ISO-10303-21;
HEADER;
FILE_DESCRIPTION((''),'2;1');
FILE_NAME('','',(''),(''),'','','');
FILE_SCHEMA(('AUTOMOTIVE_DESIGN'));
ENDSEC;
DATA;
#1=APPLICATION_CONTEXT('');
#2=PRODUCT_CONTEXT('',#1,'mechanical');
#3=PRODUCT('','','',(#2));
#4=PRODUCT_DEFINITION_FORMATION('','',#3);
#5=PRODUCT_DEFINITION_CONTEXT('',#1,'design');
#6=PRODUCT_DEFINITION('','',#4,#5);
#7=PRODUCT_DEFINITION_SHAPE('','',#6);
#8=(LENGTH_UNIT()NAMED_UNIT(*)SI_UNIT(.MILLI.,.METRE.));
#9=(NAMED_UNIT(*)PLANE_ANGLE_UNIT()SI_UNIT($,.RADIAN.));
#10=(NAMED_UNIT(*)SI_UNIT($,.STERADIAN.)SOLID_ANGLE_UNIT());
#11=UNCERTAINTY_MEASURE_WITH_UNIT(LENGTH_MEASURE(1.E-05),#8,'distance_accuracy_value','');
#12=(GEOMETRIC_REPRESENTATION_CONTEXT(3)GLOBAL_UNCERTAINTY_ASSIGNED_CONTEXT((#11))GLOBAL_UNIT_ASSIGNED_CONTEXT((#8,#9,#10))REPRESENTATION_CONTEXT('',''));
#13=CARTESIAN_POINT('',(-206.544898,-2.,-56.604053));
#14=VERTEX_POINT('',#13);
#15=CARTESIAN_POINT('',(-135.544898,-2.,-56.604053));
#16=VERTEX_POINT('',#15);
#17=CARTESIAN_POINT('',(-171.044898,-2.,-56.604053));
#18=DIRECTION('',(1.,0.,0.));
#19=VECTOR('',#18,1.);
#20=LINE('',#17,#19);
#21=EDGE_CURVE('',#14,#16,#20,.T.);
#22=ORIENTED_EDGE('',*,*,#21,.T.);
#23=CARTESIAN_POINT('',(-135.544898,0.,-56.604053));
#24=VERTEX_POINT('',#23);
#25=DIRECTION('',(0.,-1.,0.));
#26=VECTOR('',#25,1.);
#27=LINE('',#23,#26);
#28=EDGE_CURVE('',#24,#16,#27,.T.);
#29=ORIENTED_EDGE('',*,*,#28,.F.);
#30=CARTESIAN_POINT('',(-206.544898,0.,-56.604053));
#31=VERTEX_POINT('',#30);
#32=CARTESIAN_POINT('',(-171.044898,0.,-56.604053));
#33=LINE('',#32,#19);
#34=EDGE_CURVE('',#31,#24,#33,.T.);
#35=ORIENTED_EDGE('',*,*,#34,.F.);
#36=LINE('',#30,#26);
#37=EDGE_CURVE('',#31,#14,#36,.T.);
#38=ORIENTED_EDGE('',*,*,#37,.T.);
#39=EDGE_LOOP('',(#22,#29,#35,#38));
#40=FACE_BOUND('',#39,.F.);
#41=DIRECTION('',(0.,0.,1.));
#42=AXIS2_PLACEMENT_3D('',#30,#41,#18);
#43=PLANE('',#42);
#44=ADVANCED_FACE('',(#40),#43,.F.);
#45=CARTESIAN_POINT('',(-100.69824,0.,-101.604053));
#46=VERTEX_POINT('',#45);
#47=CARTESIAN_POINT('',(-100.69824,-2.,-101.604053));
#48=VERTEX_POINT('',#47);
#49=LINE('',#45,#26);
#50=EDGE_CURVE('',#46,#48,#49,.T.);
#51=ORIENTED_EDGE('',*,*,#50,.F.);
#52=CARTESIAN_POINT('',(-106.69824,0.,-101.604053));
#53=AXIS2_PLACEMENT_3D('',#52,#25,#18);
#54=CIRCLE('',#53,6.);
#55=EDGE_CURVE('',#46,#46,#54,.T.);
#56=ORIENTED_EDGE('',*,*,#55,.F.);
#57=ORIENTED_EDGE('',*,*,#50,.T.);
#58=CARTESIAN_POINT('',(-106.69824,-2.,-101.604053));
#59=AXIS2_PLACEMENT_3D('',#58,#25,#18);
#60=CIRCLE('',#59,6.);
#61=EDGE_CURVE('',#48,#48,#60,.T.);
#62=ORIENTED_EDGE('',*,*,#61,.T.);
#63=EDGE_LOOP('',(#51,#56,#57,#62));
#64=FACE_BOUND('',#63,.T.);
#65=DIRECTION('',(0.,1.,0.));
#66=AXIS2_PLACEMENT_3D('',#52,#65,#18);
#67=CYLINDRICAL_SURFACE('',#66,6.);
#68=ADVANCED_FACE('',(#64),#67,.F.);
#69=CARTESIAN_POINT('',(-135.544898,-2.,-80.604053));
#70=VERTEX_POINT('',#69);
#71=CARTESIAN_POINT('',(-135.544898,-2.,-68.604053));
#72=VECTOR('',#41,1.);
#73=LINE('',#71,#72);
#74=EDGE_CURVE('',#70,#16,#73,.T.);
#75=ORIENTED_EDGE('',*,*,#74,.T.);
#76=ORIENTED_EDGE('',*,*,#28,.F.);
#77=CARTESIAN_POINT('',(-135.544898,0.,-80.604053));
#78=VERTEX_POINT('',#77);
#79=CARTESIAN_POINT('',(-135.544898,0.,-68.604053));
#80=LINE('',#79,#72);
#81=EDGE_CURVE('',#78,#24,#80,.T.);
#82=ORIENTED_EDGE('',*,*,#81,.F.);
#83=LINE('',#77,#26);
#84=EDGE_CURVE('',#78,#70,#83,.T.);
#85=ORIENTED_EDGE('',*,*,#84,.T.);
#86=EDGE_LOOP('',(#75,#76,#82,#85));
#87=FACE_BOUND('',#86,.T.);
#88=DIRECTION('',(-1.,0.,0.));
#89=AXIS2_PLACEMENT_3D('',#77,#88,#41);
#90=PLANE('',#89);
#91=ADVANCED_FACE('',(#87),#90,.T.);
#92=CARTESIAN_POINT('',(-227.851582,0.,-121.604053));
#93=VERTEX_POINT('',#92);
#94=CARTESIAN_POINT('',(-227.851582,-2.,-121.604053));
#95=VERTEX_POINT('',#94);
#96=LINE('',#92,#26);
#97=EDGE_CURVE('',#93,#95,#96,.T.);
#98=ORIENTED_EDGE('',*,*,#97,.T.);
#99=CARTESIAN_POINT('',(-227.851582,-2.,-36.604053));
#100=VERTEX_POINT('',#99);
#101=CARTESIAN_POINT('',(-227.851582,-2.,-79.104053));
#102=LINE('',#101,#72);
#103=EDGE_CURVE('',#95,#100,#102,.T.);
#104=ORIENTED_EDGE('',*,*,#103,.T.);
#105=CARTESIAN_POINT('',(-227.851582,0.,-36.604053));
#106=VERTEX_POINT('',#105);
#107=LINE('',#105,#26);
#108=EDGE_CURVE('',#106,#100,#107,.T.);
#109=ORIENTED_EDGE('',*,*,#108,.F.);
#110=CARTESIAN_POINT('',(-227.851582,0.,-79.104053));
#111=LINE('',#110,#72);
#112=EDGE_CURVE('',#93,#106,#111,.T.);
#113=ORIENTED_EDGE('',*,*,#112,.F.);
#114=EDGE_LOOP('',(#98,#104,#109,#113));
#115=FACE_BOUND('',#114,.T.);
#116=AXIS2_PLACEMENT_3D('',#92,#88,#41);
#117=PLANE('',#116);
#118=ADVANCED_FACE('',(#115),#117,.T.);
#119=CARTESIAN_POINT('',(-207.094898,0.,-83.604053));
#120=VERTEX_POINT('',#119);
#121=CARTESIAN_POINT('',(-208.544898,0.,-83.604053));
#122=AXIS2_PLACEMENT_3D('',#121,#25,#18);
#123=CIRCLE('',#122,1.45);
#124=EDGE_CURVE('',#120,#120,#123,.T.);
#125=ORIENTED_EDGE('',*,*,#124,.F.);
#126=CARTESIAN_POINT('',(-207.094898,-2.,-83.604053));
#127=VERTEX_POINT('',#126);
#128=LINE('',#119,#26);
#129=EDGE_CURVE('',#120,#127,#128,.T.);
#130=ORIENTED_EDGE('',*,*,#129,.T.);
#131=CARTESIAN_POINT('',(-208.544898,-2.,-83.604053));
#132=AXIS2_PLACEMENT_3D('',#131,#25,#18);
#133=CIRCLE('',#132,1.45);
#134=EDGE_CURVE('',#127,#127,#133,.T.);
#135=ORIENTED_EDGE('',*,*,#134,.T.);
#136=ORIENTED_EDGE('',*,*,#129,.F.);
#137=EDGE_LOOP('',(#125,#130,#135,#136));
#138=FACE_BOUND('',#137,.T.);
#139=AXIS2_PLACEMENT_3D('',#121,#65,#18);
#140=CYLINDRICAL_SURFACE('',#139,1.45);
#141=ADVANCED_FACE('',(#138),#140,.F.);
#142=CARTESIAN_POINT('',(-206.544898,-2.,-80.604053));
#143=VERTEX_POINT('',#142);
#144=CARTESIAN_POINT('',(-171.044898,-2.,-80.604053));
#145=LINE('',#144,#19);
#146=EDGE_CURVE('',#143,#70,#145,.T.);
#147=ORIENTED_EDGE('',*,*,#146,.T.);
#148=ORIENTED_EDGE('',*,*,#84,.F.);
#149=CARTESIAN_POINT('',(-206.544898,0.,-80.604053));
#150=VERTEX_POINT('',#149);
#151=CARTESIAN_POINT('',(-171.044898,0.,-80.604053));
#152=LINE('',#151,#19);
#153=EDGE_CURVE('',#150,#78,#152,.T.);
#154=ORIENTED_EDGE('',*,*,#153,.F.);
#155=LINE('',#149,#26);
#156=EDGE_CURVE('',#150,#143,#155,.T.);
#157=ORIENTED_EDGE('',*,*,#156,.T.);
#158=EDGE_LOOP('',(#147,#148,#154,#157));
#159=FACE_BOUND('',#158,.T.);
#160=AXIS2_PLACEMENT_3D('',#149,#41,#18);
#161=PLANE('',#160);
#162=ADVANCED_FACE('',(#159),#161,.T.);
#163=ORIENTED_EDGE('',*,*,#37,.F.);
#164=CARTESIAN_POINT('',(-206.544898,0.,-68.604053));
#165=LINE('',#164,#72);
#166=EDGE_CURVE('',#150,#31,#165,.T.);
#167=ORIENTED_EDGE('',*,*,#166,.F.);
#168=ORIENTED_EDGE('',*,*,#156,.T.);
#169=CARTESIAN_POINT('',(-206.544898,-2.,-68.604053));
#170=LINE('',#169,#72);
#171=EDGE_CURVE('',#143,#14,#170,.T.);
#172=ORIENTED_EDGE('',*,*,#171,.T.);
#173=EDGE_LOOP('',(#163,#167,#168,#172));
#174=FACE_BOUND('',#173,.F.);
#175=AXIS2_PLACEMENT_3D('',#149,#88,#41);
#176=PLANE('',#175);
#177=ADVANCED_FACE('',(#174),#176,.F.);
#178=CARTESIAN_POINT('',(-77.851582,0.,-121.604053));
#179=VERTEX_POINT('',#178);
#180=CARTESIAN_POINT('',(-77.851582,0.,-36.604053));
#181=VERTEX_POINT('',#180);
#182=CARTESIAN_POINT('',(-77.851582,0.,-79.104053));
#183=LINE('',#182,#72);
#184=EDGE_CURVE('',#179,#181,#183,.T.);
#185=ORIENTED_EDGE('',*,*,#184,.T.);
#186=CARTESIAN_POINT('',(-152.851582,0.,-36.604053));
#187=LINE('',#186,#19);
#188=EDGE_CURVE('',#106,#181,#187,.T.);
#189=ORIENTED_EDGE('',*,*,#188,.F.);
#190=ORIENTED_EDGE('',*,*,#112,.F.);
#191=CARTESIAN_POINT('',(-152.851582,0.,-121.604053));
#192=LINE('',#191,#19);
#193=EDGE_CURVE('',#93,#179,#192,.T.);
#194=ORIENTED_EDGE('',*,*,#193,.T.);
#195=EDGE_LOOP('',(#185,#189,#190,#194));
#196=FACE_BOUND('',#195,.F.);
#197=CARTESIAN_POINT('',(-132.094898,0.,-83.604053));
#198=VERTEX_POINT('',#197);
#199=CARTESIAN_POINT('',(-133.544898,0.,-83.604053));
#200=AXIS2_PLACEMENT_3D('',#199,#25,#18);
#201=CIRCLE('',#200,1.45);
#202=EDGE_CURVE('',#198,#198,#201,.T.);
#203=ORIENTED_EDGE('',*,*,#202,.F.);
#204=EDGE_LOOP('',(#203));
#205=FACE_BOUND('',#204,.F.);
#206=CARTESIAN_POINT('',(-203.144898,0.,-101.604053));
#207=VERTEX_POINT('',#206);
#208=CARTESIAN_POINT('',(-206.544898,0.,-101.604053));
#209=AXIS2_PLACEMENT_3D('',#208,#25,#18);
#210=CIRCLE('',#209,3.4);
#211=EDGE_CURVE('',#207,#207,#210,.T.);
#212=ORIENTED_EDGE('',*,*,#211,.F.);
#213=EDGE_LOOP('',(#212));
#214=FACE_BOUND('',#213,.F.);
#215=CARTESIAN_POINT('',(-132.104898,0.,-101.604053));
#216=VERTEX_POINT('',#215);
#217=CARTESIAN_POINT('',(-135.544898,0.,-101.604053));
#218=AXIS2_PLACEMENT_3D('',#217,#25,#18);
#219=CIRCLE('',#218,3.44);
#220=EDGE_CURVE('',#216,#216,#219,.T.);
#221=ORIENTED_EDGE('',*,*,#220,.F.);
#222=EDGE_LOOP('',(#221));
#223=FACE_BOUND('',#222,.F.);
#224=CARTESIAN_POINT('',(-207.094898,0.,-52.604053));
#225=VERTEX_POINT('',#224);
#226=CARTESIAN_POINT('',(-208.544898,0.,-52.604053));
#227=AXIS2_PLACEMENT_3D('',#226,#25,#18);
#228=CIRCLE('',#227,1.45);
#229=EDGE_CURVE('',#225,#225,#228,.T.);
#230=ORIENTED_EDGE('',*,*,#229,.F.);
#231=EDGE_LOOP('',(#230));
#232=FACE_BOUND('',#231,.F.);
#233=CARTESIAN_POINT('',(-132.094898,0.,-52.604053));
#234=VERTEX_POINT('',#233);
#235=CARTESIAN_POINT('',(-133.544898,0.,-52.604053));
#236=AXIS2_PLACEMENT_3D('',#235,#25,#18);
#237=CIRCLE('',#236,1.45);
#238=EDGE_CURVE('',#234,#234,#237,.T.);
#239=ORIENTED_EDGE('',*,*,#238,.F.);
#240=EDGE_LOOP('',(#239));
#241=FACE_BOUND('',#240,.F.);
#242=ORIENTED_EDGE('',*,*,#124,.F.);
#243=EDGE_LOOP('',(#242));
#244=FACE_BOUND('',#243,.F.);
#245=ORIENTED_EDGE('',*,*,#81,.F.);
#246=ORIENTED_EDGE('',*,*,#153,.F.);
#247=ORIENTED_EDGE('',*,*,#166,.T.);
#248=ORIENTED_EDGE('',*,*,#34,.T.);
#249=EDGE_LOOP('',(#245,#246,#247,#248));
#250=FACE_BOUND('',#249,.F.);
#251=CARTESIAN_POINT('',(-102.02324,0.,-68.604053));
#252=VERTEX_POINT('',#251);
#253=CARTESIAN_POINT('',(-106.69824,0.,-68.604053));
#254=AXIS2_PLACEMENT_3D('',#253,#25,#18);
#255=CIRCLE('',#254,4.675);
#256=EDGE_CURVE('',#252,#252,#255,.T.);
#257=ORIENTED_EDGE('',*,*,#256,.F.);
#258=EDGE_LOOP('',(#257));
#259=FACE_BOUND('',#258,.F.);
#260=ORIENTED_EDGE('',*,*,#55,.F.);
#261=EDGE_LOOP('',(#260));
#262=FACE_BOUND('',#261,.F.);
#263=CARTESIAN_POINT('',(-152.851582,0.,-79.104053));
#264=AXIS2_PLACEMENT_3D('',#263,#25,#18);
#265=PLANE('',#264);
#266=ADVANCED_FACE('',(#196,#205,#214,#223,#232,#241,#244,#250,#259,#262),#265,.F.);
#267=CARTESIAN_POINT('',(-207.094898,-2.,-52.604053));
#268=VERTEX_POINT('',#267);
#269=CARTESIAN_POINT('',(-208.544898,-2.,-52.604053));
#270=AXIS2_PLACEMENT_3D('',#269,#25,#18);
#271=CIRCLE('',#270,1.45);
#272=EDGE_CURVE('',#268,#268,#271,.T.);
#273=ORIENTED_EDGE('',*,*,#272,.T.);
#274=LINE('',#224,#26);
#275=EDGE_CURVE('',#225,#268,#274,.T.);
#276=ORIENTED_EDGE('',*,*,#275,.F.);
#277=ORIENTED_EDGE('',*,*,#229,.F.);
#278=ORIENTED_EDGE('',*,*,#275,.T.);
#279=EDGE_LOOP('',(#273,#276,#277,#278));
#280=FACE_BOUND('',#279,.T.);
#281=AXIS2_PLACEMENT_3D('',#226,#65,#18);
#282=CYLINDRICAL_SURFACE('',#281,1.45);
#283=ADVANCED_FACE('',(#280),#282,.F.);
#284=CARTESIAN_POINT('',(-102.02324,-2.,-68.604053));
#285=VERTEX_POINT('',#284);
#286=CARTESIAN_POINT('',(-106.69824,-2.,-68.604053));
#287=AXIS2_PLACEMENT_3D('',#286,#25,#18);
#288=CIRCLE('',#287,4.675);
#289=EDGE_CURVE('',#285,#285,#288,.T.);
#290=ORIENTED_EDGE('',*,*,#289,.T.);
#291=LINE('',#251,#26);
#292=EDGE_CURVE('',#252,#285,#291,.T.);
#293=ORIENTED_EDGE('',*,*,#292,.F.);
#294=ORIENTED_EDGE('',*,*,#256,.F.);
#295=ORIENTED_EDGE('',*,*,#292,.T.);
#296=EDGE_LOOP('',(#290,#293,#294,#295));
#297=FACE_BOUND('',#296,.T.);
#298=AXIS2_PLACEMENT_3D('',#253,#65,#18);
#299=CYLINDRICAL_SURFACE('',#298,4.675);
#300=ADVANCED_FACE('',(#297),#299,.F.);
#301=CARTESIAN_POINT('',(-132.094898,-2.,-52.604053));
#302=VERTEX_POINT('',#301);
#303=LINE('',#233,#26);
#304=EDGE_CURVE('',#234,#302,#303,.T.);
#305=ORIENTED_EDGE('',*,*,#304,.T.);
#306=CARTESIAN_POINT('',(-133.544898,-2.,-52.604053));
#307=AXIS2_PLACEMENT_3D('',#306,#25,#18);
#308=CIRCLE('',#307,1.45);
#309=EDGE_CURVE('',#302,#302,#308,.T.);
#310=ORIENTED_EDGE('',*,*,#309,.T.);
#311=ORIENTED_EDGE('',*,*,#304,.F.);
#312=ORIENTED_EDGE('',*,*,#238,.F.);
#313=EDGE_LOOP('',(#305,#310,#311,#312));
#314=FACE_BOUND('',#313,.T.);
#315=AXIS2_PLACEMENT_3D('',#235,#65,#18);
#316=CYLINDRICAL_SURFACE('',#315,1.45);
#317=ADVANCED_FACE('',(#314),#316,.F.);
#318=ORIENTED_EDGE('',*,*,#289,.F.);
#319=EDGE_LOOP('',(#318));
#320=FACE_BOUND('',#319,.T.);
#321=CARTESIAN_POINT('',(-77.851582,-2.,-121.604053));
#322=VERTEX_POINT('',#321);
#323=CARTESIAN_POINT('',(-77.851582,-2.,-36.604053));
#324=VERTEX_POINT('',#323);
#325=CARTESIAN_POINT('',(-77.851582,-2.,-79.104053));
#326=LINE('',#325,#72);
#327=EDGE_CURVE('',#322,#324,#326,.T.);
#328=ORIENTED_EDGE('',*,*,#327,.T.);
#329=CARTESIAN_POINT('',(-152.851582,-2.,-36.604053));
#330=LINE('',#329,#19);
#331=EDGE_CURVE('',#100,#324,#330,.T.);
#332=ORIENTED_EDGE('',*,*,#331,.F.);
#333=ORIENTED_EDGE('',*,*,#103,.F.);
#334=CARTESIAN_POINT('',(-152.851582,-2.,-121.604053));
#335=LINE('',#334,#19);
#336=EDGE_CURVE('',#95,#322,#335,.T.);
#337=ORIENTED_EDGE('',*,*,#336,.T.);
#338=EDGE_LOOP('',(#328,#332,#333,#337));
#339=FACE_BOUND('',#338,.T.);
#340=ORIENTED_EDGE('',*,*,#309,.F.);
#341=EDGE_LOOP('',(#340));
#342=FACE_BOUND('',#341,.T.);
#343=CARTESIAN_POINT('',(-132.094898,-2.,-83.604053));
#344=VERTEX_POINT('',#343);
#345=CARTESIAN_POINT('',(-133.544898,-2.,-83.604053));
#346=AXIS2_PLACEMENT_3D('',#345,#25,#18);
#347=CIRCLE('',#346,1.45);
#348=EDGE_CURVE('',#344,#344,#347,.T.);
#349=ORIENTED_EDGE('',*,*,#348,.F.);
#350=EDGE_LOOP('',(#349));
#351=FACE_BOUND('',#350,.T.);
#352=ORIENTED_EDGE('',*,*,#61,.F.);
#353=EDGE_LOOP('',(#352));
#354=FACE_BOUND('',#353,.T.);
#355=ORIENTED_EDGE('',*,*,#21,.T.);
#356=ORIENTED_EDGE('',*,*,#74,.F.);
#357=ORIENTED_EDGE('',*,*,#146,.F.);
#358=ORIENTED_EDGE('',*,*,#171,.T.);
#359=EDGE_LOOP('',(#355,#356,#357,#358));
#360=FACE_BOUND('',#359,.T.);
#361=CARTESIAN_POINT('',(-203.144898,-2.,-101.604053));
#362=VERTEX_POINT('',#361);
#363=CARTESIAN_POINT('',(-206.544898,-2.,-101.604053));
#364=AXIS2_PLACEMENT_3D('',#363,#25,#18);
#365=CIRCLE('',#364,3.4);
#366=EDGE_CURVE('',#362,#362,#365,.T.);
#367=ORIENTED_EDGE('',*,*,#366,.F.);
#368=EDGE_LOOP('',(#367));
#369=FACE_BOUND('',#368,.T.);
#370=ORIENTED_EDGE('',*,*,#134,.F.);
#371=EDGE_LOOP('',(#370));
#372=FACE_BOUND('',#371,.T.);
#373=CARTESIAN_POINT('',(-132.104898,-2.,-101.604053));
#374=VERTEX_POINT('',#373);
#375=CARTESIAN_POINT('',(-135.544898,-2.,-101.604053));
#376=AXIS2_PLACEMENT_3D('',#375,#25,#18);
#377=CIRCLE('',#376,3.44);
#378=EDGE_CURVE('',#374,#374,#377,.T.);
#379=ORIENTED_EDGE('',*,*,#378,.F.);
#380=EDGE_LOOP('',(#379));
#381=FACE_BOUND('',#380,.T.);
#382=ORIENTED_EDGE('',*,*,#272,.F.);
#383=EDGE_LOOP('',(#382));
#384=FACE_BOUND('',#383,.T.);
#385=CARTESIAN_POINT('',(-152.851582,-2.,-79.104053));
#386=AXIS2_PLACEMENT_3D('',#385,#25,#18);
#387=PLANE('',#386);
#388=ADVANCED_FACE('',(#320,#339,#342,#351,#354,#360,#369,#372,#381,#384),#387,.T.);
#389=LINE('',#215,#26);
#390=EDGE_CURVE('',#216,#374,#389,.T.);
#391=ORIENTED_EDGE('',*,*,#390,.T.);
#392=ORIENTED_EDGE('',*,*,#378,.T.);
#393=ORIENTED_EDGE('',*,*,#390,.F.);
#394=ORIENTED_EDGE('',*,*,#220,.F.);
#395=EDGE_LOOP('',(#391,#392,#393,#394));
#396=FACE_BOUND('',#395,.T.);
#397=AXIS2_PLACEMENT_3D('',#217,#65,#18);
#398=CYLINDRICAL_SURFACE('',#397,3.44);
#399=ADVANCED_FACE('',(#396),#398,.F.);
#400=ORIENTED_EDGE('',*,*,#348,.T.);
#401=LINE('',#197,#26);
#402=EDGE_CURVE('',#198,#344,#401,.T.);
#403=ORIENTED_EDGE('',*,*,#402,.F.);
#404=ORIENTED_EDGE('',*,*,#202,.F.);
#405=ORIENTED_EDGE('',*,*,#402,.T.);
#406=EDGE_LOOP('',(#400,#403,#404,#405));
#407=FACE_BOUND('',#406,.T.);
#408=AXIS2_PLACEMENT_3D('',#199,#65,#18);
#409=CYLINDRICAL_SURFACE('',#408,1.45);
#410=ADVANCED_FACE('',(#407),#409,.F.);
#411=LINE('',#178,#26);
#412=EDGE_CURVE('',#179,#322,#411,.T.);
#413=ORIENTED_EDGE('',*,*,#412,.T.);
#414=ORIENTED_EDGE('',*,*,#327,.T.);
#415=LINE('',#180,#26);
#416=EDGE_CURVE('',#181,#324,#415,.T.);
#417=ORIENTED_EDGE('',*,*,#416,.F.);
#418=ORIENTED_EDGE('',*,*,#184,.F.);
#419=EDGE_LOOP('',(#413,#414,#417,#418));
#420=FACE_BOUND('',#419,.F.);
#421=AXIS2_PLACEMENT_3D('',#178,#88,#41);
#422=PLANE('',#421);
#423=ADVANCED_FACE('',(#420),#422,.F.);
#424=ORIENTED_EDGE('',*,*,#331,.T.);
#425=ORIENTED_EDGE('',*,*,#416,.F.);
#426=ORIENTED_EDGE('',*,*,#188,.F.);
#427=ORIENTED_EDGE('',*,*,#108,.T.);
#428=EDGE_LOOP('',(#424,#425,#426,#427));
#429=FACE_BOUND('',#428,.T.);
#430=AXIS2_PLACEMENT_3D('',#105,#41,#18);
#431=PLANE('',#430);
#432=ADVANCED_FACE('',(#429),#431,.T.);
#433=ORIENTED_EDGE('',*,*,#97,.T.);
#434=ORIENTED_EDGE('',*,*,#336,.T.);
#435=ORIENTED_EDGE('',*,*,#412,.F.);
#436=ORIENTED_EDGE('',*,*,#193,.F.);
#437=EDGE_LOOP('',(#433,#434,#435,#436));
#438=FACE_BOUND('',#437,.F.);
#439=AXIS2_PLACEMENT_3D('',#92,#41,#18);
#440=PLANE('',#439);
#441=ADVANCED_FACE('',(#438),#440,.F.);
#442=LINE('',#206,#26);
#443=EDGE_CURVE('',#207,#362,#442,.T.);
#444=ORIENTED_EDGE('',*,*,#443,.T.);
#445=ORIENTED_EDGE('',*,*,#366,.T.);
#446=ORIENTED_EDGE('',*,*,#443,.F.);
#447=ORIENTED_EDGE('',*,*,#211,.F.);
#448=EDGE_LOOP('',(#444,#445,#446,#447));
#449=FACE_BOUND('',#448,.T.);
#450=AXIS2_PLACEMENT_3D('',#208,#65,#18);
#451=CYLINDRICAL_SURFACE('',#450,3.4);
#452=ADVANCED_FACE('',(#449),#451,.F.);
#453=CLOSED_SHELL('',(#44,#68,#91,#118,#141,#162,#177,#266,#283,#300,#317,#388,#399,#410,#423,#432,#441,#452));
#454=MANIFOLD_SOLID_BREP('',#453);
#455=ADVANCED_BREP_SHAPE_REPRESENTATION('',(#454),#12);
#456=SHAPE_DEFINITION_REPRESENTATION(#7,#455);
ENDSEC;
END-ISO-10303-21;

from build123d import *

# Parameters (mm, degrees)
F0_W     = 150
F0_H     = 85
F0_R     = 3.4
F0_R_2   = 1.45
F0_R_3   = 3.44
F0_R_4   = 6
F0_W_2   = 71
F0_H_2   = 24
F0_R_5   = 4.675
F1_DEPTH = 2


with BuildPart() as f1:
    # F0 (on Front) → F1 (new body)
    with BuildSketch(Plane.XZ):
        with Locations((-152.851582, -79.104053)):
            Rectangle(F0_W, F0_H)
        with Locations((-206.544898, -101.604053)):
            Circle(F0_R, mode=Mode.SUBTRACT)
        with Locations((-208.544898, -83.604053)):
            Circle(F0_R_2, mode=Mode.SUBTRACT)
        with Locations((-135.544898, -101.604053)):
            Circle(F0_R_3, mode=Mode.SUBTRACT)
        with Locations((-106.69824, -101.604053)):
            Circle(F0_R_4, mode=Mode.SUBTRACT)
        with Locations((-133.544898, -83.604053)):
            Circle(F0_R_2, mode=Mode.SUBTRACT)
        with Locations((-171.044898, -68.604053)):
            Rectangle(F0_W_2, F0_H_2, mode=Mode.SUBTRACT)
        with Locations((-208.544898, -52.604053)):
            Circle(F0_R_2, mode=Mode.SUBTRACT)
        with Locations((-106.69824, -68.604053)):
            Circle(F0_R_5, mode=Mode.SUBTRACT)
        with Locations((-133.544898, -52.604053)):
            Circle(F0_R_2, mode=Mode.SUBTRACT)
    extrude(amount=F1_DEPTH)


solid = f1.part
